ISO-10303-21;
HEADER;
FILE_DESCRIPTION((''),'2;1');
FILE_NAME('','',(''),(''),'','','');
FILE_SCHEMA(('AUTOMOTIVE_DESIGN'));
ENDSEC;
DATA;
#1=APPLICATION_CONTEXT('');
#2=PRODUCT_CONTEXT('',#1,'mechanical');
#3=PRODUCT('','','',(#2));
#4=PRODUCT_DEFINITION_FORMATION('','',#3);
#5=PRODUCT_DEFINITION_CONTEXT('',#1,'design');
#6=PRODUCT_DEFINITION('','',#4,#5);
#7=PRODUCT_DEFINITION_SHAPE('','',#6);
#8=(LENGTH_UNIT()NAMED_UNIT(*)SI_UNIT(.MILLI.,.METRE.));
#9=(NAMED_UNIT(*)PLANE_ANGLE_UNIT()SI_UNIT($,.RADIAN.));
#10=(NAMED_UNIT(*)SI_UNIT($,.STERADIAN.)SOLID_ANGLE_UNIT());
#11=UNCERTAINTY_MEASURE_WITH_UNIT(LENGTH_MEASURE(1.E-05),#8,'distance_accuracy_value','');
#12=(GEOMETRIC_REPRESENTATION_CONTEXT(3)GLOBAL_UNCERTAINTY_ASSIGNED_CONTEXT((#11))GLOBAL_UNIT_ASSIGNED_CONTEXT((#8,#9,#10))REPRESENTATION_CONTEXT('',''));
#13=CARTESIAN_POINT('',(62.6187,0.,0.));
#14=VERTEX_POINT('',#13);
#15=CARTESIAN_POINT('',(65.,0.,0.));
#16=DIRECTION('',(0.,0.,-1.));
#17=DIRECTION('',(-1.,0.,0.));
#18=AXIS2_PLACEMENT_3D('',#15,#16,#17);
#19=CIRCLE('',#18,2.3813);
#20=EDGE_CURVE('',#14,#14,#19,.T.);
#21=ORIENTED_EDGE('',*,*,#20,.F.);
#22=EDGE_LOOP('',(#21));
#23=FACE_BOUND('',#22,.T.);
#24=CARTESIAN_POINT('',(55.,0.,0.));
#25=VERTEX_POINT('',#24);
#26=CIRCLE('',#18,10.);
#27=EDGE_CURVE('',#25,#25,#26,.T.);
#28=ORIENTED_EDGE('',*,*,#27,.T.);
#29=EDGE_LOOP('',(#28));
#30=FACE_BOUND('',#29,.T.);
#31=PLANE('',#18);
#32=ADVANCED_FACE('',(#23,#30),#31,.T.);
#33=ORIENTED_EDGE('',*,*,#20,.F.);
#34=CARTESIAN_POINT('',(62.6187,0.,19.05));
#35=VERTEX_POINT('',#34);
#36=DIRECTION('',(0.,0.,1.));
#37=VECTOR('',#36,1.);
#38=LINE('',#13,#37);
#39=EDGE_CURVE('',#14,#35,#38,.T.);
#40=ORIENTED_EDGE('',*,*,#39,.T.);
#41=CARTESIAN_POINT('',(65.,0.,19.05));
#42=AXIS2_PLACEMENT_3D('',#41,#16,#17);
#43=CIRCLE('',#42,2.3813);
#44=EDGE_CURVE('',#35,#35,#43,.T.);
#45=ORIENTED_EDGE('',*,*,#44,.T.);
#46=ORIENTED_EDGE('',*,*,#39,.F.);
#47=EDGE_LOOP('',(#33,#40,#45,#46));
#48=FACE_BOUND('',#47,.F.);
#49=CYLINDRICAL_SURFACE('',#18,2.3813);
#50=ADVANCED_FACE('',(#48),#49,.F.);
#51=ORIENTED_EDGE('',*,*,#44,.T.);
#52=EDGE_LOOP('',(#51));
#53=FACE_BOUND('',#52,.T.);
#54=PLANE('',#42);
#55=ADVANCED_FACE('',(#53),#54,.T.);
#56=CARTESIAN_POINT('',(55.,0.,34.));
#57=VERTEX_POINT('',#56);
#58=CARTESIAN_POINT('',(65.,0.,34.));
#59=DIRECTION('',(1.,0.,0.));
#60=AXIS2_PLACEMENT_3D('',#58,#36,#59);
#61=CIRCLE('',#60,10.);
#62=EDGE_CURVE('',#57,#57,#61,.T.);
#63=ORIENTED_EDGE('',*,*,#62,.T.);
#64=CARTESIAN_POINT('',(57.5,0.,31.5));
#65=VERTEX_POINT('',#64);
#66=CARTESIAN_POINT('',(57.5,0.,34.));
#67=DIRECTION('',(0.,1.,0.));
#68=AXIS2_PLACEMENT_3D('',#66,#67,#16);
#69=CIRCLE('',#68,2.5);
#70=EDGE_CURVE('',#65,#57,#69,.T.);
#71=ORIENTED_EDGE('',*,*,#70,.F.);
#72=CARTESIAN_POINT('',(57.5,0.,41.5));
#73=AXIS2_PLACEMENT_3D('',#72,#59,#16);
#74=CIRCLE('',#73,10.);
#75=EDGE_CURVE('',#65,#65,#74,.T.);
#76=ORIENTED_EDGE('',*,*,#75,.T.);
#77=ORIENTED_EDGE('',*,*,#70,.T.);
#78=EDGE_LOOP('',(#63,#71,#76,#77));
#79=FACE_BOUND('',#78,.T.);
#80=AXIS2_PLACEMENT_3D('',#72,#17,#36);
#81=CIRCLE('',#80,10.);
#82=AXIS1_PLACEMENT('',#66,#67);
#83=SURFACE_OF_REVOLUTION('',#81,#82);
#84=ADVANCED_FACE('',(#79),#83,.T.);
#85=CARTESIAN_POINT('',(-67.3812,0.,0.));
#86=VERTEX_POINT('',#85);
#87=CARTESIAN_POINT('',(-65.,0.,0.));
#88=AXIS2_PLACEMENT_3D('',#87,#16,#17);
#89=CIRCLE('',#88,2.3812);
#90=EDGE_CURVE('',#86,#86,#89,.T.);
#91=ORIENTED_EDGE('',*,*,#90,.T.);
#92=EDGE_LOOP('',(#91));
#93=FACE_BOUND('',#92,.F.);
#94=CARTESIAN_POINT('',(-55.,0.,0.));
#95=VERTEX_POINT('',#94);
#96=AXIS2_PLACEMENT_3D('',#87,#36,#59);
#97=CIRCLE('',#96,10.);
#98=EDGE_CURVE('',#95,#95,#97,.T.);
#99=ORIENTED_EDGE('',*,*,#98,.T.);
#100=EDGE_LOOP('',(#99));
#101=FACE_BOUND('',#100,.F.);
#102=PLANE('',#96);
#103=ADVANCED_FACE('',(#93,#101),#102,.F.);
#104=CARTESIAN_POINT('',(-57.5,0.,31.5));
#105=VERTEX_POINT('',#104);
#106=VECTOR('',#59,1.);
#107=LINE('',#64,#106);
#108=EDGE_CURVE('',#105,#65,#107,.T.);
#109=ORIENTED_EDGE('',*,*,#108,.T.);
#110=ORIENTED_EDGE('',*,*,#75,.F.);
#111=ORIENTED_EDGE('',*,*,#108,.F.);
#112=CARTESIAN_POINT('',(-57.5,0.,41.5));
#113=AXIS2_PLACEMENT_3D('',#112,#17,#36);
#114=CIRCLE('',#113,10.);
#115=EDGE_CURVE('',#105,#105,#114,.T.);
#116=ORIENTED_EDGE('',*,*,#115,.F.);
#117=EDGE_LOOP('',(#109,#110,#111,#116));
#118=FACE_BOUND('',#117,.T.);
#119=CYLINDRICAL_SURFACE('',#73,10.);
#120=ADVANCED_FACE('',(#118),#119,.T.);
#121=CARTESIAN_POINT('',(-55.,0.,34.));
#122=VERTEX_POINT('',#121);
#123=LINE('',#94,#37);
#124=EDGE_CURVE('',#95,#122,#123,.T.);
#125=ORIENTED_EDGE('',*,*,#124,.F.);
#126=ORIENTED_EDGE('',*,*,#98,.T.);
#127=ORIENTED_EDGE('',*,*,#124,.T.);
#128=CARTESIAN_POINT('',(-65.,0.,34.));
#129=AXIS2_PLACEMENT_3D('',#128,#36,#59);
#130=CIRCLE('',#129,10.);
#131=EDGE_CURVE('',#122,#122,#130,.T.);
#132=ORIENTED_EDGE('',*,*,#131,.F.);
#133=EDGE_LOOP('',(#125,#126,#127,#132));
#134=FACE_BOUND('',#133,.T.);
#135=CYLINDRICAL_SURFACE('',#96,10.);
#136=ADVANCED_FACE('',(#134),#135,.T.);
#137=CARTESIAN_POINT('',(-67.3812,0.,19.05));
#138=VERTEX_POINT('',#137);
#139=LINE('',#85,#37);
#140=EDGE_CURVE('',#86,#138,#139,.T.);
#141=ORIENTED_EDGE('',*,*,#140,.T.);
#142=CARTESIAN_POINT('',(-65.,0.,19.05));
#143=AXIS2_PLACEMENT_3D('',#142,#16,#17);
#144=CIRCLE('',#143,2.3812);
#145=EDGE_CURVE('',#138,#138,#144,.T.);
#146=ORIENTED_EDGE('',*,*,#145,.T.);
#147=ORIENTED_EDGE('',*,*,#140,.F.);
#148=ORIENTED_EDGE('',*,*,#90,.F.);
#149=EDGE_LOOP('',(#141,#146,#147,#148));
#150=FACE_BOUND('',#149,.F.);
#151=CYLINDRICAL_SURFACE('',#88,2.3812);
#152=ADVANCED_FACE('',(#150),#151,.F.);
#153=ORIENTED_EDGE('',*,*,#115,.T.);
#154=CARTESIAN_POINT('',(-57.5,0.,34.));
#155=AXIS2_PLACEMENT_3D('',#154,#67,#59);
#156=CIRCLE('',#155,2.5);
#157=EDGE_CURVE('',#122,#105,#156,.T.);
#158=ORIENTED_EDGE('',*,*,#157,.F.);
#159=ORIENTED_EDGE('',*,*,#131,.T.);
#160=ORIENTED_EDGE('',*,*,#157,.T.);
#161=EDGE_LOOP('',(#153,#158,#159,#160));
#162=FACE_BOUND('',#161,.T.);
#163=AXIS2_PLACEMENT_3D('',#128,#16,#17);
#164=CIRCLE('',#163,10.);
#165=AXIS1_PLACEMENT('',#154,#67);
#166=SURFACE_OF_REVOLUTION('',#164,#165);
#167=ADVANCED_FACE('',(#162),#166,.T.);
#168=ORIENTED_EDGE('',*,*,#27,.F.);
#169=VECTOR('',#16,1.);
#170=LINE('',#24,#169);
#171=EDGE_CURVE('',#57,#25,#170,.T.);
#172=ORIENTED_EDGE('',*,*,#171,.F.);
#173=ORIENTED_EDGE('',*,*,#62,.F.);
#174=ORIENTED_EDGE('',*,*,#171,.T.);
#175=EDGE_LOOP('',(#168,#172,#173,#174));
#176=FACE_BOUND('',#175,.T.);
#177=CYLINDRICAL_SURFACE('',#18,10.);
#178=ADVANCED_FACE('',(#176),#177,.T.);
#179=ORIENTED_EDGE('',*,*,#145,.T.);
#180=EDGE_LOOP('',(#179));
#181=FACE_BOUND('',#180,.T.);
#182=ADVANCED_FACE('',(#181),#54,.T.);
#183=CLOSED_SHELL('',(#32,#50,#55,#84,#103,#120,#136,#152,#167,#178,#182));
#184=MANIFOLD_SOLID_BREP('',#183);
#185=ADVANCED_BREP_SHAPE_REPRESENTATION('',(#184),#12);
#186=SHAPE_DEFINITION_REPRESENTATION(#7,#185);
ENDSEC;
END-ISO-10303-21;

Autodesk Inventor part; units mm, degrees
ref_plane "YZ Plane" through (0, 0, 0) normal (1, 0, 0) x (0, 1, 0)
ref_plane "XZ Plane" through (0, 0, 0) normal (0, 1, 0) x (-1, 0, 0)
ref_plane "XY Plane" through (0, 0, 0) normal (0, 0, 1) x (1, 0, 0)
sketch "Boceto1" plane through (0, 0, 0) normal (0, 1, 0) x (-1, 0, 0)
  line L0 (0, 0) -> (65, 0) construction
  line L1 (0, 0) -> (-65, 0) construction
  line L2 (65, 0) -> (65, 34)
  line L3 (-65, 0) -> (-65, 34)
  line L4 (65, 34) -> (57.5, 34) construction
  line L5 (-65, 34) -> (-57.5, 34) construction
  arc A0 (65, 34) -> (57.5, 41.5) centre (57.5, 34) ccw
  arc A1 (-57.5, 41.5) -> (-65, 34) centre (-57.5, 34) ccw
  line L6 (-57.5, 41.5) -> (57.5, 41.5)
  dimension "d0" = 65
  dimension "d1" = 65
  dimension "d2" = 34
  dimension "d3" = 34
  dimension "d5" = 7.5
  dimension "d6" = 7.5
sketch "Boceto2" plane through (0, 0, 0) normal (0, 0, 1) x (1, 0, 0)
  circle A0 centre (-65, 0) radius 10
  point P0 (0, 0)
  dimension "d7" = 20
sweep "Barrido1" add profiles "Boceto2" path "Boceto1"
sketch "Boceto3" plane through (65, 0, 0) normal (0, 0, -1) x (-1, 0, 0)
  circle A0 centre (0, 0) radius 2.3813
  circle A1 centre (130, 0) radius 2.3812
  point P0 (65, 0)
  dimension "d10" = 4.7625
  dimension "d11" = 4.7625
extrude "Extrusión1" cut sketch "Boceto3" against normal blind 19.05
properties part number "mango_zona_calor" material "Plástico PC/ABS"
